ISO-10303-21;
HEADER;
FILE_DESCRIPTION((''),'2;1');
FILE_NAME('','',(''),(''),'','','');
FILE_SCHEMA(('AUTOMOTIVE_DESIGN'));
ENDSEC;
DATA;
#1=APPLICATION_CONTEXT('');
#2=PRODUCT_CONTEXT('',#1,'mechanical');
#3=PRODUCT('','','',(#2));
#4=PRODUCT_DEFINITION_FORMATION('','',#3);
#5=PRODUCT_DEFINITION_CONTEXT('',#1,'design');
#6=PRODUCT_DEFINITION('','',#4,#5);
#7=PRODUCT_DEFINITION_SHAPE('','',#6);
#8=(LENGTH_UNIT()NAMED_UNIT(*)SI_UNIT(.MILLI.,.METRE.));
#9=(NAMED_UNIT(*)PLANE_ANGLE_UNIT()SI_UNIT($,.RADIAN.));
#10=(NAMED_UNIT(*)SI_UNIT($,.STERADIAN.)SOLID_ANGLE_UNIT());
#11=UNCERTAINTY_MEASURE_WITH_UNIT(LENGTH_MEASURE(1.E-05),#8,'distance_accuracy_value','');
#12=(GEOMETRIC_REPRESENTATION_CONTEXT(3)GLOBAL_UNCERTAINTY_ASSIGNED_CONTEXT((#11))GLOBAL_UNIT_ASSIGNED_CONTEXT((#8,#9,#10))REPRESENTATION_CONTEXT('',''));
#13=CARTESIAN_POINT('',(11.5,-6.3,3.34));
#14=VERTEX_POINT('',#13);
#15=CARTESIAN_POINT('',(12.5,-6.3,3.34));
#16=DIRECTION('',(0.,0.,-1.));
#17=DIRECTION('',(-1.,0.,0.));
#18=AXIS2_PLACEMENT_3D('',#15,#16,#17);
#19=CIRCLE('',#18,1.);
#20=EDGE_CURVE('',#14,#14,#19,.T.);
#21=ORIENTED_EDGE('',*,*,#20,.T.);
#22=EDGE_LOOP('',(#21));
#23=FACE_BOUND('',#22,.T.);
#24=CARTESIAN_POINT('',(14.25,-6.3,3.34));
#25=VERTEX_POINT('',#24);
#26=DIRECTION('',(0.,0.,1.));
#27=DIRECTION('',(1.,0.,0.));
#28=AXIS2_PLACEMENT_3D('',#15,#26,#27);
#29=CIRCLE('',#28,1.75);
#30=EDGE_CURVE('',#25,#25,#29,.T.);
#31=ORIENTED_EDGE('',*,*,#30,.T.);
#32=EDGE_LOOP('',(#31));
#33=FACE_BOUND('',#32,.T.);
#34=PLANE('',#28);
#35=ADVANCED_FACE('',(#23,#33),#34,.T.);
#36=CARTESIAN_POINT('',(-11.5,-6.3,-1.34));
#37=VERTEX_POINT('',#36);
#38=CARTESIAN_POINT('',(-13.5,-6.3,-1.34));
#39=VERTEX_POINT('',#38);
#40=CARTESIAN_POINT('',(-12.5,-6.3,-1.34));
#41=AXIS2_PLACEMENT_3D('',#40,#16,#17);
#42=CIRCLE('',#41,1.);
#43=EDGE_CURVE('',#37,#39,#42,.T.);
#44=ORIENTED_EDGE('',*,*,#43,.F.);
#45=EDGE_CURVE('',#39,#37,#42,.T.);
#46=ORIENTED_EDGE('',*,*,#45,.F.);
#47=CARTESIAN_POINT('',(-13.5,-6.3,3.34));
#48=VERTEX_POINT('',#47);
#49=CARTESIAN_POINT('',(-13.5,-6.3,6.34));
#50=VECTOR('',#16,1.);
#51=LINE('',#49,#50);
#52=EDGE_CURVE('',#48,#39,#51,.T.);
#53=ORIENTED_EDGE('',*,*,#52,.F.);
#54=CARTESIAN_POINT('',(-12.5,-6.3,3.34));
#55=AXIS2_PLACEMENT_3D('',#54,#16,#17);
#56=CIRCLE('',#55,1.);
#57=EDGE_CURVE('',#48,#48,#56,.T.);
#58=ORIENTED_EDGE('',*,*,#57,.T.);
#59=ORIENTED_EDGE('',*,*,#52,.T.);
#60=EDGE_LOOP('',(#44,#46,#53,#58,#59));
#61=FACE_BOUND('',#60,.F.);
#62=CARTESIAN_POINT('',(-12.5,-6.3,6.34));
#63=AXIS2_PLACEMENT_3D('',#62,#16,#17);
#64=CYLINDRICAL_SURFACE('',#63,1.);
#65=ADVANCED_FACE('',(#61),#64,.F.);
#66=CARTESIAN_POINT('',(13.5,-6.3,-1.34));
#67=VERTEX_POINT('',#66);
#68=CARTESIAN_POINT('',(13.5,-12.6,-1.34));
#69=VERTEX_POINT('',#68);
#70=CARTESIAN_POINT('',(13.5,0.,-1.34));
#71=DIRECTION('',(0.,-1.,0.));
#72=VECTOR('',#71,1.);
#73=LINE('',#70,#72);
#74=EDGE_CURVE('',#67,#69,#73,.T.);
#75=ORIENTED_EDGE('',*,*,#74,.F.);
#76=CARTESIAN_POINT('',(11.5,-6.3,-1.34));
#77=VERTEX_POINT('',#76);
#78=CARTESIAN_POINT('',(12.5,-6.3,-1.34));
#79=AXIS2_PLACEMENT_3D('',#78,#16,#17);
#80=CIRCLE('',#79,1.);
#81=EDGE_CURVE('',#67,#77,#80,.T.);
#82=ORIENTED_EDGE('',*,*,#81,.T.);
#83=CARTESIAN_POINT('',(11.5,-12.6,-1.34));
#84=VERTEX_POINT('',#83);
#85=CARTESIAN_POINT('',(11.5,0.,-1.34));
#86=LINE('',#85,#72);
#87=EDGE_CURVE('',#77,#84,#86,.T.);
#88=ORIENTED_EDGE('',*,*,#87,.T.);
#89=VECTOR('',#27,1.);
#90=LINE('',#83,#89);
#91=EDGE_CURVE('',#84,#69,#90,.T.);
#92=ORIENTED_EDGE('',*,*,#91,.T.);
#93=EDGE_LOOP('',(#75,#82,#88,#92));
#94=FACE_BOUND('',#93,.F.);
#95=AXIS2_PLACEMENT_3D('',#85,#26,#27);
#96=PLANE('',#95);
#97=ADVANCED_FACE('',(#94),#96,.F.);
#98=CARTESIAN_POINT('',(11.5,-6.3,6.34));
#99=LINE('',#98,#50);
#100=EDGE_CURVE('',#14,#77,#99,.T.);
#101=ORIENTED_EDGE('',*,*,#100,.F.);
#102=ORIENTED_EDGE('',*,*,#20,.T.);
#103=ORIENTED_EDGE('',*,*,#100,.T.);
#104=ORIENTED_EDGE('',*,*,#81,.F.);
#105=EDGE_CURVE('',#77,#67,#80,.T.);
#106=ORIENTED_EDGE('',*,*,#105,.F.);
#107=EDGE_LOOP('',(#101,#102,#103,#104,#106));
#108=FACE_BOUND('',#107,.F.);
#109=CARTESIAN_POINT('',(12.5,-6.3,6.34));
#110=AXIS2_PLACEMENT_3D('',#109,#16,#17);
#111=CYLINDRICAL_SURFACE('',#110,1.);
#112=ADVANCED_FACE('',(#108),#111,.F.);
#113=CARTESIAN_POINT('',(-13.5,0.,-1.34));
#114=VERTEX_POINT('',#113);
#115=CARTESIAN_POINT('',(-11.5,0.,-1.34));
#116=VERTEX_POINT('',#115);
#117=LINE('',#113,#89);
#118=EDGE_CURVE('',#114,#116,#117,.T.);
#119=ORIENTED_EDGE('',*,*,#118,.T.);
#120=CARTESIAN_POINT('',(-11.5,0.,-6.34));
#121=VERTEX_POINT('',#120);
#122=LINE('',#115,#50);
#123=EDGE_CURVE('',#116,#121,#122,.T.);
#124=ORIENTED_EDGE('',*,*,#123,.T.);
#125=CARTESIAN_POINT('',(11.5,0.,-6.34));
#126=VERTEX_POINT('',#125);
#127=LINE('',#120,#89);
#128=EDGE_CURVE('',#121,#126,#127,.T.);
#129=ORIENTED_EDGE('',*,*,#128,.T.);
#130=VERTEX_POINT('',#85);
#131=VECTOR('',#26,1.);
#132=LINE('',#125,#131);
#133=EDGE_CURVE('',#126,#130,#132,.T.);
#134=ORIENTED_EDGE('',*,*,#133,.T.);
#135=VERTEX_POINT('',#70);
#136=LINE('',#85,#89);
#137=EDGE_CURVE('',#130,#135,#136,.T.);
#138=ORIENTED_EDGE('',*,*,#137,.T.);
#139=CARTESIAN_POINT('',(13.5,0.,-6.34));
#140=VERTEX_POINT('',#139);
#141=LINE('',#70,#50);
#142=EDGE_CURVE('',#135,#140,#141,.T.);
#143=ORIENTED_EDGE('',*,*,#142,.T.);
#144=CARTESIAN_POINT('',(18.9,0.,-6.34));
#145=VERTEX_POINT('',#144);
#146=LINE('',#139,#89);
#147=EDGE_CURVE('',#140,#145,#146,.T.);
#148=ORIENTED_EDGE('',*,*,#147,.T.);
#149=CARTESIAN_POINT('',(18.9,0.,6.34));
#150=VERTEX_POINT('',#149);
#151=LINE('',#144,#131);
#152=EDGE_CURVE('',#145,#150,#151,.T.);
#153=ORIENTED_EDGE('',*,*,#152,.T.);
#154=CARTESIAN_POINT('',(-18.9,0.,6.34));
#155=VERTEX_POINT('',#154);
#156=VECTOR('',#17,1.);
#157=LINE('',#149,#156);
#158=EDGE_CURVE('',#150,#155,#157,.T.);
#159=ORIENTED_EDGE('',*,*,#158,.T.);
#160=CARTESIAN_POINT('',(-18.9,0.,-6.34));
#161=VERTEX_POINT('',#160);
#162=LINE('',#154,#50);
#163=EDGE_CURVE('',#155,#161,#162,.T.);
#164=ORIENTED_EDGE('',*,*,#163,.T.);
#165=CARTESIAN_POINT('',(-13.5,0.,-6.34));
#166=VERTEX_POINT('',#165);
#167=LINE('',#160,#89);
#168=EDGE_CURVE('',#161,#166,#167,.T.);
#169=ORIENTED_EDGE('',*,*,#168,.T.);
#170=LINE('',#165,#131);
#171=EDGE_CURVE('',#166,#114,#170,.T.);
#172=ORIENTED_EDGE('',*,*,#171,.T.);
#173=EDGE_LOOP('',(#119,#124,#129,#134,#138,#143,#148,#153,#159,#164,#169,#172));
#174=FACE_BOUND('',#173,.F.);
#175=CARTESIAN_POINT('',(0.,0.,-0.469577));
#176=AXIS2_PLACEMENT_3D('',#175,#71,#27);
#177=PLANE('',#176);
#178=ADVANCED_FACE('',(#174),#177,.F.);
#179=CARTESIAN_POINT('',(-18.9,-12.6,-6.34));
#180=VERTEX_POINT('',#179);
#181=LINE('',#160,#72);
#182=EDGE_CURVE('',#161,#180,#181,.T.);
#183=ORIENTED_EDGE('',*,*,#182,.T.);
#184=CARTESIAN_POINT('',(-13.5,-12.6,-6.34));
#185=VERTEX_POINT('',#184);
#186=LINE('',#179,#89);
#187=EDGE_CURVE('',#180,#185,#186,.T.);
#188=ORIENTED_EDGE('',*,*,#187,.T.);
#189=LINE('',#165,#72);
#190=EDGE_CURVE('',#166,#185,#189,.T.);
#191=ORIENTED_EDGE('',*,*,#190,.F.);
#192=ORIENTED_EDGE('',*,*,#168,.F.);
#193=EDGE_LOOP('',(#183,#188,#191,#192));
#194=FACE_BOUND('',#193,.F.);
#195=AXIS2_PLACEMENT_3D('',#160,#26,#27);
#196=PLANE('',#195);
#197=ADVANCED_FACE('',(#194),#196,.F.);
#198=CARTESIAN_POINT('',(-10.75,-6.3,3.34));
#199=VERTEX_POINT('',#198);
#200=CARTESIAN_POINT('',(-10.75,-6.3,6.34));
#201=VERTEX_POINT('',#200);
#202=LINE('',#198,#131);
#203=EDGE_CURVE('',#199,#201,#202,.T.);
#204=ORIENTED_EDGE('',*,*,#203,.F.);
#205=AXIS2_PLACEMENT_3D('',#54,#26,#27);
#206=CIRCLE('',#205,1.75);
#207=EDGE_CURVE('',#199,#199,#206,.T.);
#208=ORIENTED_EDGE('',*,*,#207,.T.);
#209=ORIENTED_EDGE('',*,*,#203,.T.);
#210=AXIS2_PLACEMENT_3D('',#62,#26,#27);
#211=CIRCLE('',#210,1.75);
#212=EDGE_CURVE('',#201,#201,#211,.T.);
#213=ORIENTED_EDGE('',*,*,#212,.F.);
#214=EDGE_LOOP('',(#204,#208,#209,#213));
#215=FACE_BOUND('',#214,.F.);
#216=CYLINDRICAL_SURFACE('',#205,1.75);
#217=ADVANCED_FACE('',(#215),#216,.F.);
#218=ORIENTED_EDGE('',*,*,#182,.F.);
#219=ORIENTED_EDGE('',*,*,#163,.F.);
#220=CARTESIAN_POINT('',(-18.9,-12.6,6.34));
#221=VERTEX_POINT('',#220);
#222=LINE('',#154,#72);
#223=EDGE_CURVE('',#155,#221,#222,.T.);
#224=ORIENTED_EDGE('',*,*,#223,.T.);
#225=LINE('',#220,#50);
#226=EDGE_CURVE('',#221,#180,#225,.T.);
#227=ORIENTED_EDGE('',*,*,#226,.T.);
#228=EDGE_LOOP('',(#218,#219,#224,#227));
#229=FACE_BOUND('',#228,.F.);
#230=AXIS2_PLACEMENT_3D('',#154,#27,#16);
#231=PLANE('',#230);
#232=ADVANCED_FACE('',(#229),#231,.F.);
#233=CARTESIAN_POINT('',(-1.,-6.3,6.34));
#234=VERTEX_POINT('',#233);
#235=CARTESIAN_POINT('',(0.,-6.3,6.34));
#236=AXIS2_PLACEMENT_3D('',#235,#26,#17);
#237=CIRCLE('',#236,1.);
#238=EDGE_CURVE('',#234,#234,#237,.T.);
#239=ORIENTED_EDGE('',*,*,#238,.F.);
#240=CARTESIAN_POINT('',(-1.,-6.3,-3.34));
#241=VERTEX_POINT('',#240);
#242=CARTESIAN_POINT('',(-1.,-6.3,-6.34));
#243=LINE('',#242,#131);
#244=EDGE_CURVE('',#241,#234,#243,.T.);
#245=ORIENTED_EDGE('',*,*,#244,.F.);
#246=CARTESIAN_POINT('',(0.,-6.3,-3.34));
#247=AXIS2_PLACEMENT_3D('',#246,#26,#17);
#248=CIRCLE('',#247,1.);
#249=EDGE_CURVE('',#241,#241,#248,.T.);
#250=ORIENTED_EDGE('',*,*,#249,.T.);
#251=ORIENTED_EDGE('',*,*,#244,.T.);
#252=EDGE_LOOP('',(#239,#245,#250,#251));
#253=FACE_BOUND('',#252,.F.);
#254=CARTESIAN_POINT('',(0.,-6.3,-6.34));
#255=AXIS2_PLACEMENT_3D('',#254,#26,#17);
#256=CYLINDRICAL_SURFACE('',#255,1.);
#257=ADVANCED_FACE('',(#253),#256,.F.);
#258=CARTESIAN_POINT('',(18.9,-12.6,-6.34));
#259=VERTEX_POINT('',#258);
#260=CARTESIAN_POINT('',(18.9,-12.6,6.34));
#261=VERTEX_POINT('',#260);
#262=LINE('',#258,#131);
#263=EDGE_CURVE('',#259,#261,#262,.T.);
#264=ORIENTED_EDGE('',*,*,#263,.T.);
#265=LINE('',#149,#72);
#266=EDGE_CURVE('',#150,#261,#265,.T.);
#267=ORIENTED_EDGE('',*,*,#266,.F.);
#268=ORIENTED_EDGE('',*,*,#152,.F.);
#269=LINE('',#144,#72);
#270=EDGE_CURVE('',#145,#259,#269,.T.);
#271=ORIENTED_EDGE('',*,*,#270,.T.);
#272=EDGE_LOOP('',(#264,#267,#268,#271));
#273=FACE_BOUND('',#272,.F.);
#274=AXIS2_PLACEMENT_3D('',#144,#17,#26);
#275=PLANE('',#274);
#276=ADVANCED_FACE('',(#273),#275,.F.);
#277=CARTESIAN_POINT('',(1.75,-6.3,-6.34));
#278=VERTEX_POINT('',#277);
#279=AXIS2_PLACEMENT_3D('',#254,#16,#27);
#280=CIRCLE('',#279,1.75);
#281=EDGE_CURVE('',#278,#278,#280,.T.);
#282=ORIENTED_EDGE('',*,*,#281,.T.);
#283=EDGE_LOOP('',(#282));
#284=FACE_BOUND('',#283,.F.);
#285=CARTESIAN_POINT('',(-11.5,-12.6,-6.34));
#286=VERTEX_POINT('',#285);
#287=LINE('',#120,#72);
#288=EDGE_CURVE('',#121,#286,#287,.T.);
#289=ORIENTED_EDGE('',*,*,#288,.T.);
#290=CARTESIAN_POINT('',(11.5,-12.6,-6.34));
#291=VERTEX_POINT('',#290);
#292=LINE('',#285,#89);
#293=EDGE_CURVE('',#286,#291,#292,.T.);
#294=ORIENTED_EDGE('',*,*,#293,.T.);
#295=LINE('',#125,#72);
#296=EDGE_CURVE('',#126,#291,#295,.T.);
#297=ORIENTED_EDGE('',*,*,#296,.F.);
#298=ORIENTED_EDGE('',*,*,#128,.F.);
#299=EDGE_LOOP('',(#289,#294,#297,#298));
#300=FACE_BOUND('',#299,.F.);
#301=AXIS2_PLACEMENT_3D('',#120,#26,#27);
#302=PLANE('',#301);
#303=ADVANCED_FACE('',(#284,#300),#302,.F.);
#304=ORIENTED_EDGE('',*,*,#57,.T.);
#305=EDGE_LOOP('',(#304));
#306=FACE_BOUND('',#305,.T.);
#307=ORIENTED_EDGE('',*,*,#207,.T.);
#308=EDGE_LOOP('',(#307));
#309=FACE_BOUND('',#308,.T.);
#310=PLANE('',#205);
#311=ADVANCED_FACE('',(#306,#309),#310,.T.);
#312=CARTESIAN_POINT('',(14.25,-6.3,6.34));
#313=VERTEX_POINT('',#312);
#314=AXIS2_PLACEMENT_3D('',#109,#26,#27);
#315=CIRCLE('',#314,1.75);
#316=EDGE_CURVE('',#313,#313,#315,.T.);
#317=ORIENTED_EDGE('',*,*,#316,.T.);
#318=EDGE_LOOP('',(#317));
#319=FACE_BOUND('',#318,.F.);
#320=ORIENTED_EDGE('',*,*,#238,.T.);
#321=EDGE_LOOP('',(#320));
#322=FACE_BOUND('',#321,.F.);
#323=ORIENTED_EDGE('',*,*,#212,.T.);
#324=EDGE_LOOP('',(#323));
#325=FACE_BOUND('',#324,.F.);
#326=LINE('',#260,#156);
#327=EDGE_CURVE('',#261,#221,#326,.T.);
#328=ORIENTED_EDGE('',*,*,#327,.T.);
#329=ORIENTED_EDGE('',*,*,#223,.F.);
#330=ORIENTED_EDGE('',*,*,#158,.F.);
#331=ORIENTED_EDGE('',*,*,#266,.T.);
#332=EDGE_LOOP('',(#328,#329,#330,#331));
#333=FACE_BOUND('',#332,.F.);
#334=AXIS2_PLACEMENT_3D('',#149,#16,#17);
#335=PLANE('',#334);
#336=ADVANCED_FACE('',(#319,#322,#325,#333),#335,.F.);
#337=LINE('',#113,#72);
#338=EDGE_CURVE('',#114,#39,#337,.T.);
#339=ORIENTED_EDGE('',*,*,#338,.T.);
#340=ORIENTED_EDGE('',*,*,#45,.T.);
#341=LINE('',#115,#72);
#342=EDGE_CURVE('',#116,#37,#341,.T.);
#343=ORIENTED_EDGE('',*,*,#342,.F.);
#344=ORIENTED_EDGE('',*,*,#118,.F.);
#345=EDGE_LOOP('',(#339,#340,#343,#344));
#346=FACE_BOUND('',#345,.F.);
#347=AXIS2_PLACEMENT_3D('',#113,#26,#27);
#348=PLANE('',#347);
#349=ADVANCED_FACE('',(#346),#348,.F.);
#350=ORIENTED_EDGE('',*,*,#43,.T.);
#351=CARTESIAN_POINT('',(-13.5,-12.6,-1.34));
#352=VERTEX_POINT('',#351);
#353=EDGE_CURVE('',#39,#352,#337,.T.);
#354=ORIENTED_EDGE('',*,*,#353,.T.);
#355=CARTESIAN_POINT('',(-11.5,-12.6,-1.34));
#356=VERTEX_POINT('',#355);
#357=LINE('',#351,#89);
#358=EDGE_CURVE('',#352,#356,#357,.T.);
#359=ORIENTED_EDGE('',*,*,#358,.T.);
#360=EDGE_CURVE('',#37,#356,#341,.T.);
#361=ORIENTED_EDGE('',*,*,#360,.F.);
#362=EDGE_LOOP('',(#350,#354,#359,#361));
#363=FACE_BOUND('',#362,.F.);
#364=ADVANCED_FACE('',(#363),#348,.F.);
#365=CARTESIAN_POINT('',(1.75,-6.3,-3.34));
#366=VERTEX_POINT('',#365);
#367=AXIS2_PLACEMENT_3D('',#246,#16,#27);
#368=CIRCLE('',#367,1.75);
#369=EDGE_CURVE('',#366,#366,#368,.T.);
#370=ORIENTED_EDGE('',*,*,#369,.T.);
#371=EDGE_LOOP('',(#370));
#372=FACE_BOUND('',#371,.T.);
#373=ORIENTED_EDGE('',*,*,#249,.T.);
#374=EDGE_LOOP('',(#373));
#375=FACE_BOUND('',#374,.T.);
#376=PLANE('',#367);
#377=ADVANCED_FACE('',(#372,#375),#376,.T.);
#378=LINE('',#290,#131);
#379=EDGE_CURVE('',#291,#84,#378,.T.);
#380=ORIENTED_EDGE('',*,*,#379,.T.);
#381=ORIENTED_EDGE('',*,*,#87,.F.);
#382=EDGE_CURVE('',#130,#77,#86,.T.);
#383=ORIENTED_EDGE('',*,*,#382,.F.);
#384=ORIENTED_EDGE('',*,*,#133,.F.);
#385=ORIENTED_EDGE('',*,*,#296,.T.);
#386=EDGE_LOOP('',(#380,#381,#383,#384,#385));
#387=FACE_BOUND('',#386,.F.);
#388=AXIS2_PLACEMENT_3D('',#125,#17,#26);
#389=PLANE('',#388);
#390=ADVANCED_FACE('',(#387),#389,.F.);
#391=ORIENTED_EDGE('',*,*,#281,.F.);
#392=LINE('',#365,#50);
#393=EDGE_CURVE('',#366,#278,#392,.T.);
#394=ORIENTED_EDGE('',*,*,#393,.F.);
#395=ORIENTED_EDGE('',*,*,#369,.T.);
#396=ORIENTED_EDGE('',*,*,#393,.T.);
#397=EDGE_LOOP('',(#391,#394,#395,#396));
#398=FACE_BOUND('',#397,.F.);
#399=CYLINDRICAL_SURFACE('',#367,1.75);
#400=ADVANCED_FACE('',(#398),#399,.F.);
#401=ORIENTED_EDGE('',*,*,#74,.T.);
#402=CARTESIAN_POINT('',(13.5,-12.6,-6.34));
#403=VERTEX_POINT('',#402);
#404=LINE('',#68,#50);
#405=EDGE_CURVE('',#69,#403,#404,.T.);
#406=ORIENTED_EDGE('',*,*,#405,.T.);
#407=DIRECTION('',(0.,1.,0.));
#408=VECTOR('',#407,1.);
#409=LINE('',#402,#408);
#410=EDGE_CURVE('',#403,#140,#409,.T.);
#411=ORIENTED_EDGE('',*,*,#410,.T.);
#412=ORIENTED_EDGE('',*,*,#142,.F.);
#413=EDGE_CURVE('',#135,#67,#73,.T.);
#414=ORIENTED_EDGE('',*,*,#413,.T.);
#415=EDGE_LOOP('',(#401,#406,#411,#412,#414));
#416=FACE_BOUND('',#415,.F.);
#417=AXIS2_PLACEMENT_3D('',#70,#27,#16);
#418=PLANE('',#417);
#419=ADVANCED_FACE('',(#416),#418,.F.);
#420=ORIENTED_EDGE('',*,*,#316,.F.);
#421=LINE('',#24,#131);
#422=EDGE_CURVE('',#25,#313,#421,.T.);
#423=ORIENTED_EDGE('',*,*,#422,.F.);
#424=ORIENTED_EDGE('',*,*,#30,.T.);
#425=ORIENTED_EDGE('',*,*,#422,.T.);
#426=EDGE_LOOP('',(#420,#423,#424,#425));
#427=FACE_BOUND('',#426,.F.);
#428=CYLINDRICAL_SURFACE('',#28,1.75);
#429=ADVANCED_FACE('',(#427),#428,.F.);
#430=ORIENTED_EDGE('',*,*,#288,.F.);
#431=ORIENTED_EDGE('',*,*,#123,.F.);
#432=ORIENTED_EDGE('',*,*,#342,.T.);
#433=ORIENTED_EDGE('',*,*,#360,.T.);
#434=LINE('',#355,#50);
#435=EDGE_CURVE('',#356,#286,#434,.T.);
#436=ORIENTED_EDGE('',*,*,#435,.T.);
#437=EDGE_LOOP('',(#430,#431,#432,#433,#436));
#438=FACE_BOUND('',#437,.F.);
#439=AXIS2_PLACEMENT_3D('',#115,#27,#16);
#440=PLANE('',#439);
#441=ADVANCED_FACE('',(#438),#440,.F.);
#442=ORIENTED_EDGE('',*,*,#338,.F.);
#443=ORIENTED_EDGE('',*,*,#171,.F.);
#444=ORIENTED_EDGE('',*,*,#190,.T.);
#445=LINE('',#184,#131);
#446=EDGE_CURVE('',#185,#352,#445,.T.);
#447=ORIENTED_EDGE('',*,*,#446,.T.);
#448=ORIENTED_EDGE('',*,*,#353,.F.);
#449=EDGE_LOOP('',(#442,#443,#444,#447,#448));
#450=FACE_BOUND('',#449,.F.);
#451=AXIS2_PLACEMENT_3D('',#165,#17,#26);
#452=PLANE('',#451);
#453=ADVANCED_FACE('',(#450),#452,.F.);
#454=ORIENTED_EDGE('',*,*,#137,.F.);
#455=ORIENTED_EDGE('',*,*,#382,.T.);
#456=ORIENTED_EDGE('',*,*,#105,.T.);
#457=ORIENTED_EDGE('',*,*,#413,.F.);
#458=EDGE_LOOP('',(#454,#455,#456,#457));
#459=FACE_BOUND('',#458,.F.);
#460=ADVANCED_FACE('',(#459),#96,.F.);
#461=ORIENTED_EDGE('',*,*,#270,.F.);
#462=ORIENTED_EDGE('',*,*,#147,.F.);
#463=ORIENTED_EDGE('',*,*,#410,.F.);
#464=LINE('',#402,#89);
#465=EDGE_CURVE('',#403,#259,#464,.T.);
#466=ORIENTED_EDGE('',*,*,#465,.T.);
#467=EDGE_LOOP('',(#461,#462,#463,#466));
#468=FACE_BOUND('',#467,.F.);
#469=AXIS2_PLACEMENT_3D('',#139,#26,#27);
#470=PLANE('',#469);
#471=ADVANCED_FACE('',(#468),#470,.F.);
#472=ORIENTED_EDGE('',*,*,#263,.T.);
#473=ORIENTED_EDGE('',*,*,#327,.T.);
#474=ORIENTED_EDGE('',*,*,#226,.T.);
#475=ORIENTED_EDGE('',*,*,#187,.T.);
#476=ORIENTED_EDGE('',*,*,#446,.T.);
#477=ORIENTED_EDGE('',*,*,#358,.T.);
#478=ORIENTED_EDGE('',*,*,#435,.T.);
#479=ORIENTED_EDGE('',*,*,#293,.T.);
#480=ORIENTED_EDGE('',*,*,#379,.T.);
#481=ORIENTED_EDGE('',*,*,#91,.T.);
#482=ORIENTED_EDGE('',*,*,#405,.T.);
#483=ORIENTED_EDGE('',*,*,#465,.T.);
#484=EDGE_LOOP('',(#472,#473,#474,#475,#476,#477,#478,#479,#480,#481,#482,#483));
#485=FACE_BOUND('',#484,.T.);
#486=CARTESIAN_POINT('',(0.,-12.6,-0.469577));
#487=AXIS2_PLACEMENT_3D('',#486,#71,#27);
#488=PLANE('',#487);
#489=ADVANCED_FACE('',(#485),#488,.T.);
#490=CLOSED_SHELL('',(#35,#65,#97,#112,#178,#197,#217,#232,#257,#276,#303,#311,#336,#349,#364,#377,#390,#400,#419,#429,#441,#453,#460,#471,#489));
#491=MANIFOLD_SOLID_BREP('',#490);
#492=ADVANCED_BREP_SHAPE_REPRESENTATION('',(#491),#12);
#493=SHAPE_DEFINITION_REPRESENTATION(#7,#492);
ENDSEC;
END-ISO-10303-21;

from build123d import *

# Parameters (mm, degrees)
F1_DEPTH       = 12.6
F4_D           = 2
F4_DEPTH       = 38
F4_CBORE_D     = 3.5
F4_CBORE_DEPTH = 3
F5_D           = 2
F5_DEPTH       = 38
F5_CBORE_D     = 3.5
F5_CBORE_DEPTH = 3


with BuildPart() as f1:
    # F0 (on Front) → F1 (new body)
    with BuildSketch(Plane.XZ):
        Polygon((18.9, 6.34), (-18.9, 6.34), (-18.9, -6.34), (-13.5, -6.34), (-13.5, -1.34), (-11.5, -1.34), (-11.5, -6.34), (11.5, -6.34), (11.5, -1.34), (13.5, -1.34), (13.5, -6.34), (18.9, -6.34), align=None)
    extrude(amount=F1_DEPTH)

    # F4
    with Locations(Plane(origin=(0, 0, -6.34), x_dir=(1, 0, 0), z_dir=(0, 0, -1))):
        with Locations((0, 6.3)):
            CounterBoreHole(F4_D / 2, F4_CBORE_D / 2, F4_CBORE_DEPTH, depth=F4_DEPTH)

    # F5
    with Locations(Plane.XY.offset(6.34)):
        with Locations((-12.5, -6.3), (12.5, -6.3)):
            CounterBoreHole(F5_D / 2, F5_CBORE_D / 2, F5_CBORE_DEPTH, depth=F5_DEPTH)


solid = f1.part
